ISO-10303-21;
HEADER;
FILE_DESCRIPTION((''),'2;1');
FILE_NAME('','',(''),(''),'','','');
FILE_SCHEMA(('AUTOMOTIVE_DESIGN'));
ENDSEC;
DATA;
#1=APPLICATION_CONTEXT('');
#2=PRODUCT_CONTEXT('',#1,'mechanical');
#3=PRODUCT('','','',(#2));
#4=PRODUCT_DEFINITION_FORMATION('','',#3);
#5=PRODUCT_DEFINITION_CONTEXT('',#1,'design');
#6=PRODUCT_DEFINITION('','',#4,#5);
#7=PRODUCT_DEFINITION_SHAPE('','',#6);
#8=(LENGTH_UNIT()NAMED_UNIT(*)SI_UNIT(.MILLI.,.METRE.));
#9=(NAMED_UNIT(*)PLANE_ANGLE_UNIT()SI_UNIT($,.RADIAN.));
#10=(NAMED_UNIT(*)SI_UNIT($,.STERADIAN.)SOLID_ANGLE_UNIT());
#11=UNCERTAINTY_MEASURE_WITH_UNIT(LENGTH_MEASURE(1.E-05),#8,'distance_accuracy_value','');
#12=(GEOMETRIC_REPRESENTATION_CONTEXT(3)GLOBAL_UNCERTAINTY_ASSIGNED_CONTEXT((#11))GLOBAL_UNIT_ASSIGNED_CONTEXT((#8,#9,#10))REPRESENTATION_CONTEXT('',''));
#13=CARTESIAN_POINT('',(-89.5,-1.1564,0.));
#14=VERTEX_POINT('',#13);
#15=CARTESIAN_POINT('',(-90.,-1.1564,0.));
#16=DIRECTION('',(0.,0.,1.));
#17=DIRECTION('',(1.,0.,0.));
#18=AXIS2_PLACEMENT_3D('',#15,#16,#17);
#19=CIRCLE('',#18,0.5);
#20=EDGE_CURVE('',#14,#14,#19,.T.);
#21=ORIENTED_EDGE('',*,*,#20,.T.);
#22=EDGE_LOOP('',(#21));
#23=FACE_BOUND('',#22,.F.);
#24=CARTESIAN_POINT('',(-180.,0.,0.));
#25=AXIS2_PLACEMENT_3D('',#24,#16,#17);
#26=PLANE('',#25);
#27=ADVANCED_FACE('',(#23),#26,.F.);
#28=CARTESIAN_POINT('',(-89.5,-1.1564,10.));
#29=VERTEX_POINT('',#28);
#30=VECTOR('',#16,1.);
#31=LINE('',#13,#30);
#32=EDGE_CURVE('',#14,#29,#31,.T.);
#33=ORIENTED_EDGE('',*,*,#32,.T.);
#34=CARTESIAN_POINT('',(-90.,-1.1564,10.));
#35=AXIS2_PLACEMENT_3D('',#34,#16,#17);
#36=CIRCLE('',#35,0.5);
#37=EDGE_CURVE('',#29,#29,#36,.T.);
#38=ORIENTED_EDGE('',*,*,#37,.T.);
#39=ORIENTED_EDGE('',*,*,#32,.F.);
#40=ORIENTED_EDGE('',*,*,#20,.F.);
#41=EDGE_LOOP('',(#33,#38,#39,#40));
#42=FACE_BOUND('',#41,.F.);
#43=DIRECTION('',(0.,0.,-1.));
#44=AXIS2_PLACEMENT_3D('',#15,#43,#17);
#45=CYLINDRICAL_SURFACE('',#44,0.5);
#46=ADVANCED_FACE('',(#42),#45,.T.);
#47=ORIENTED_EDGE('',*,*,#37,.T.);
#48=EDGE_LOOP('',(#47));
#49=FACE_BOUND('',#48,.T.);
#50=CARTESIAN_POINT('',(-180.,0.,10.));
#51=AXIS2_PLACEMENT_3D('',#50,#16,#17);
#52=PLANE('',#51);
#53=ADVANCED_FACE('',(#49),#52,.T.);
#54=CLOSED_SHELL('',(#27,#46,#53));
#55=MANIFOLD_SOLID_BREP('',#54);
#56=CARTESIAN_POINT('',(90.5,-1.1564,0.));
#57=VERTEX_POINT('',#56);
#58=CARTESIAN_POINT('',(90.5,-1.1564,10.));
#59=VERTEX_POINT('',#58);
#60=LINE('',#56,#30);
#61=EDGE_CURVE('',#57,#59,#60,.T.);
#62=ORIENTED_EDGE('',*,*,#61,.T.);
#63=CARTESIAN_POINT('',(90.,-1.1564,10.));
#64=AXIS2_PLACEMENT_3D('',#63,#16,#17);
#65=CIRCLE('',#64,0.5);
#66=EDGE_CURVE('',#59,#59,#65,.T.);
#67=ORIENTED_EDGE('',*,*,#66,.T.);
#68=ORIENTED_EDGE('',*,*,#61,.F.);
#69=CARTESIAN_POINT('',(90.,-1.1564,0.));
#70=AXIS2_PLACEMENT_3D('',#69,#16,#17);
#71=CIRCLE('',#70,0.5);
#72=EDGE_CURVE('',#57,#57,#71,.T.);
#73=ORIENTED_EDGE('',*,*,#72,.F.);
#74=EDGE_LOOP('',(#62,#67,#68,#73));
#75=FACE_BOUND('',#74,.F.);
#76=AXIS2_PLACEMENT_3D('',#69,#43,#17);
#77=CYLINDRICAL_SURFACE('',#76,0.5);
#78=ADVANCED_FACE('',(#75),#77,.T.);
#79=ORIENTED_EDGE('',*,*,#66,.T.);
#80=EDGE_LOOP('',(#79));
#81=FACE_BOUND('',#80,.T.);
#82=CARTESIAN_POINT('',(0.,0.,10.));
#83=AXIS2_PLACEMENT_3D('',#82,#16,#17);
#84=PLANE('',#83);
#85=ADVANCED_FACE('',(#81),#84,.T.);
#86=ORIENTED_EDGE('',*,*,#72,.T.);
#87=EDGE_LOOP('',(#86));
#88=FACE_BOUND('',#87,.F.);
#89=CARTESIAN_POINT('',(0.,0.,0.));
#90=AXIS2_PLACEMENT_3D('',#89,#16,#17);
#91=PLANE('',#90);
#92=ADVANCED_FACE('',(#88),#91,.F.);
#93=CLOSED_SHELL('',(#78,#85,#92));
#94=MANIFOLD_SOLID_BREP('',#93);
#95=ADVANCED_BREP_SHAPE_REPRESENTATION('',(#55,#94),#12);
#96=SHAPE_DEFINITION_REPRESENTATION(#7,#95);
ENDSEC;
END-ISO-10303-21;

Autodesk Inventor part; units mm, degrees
ref_plane "YZ Plane" through (0, 0, 0) normal (1, 0, 0) x (0, 1, 0)
ref_plane "XZ Plane" through (0, 0, 0) normal (0, 1, 0) x (-1, 0, 0)
ref_plane "XY Plane" through (0, 0, 0) normal (0, 0, 1) x (1, 0, 0)
sketch "Sketch1" plane through (0, 0, 0) normal (0, 0, 1) x (1, 0, 0)
  line L0 (-150, -13.2005) -> (150, -13.2005)
  line L1 (150, -13.2005) -> (150, 13.2005)
  line L2 (150, 13.2005) -> (-150, 13.2005)
  line L3 (-150, 13.2005) -> (-150, -13.2005)
  line L4 (-150, -13.2005) -> (150, 13.2005) construction
  line L5 (150, -13.2005) -> (-150, 13.2005) construction
  point P0 (0, 0)
  dimension "d0" = 300
  dimension "d1" = 26.401
sketch "Lamello" plane through (0, 0, 0) normal (0, 0, 1) x (1, 0, 0)
  line L0 (48.383, 141.1858) -> (42.783, 141.1858)
  line L1 (40.583, 139.6858) -> (40.583, 114.6858)
  line L2 (42.783, 113.1858) -> (48.383, 113.1858)
  line L3 (50.583, 114.6858) -> (50.583, 139.6858)
  line L4 (50.583, 139.6858) -> (48.383, 141.1858)
  line L5 (40.583, 139.6858) -> (42.783, 141.1858)
  line L6 (40.583, 114.6858) -> (42.783, 113.1858)
  line L7 (50.583, 114.6858) -> (48.383, 113.1858)
  line L8 (50.583, 127.1858) -> (40.583, 127.1858)
  line L9 (45.583, 141.1858) -> (45.583, 113.1858)
  point P0 (45.583, 127.1858)
  point P1 (50.583, 141.1858)
  point P2 (40.583, 113.1858)
  point P3 (40.583, 141.1858)
  point P4 (50.583, 113.1858)
  dimension "d54" = 10
  dimension "d55" = 28
  dimension "d56" = 1.5
  dimension "d57" = 2.2
  dimension "d58" = 1.5
  dimension "d59" = 2.2
  dimension "d60" = 1.5
  dimension "d61" = 2.2
  dimension "d62" = 1.5
  dimension "d63" = 2.2
sketch "Sketch2" plane through (0, 0, 0) normal (0, 0, 1) x (1, 0, 0)
  circle A0 centre (90, -1.1564) radius 0.5
  line L0 (150, 13.2005) -> (-150, 13.2005) projected
  line L1 (-150, -13.2005) -> (150, -13.2005) projected
  line L2 (0, -128.9291) -> (0, 79.8215) projected
  line L3 (150, -13.2005) -> (150, 13.2005) projected
  point P0 (0, 0)
  dimension "d4" = 1
  dimension "d50" = 14.3569
  dimension "d70" = 60
extrude "Extrusion1" add sketch "Sketch2" along normal blind 10 contours A0
pattern_linear "Clamex Array" count 2 spacing 180 along (-1, 0, 0) of "Extrusion1"
sketch "Edge-Side Connection" plane through (0, 0, 0) normal (1, 0, 0) x (0, 1, 0)
  line L0 (-50, 0) -> (50, 0)
  line L1 (50, 0) -> (50, 37)
  line L2 (50, 37) -> (-50, 37)
  line L3 (-50, 37) -> (-50, 0)
  line L4 (-13.2005, 0) -> (-6.1474, -40)
  line L5 (-6.1474, -40) -> (20.2536, -40)
  line L6 (20.2536, -40) -> (13.2005, 0)
  line L7 (1.1564, -14) -> (1.1564, 14) construction
  line L8 (13.2005, 0) -> (6.1564, 0)
  line L9 (-3.8436, -12.5) -> (-10.7807, -13.7232)
  point P0 (0, 0)
  point P1 (13.2005, 0)
  point P2 (0, 0)
  dimension "d26" = 100
  dimension "d27" = 37
  dimension "d28" = 40
  dimension "OtherSideRefYCoordinate" = 14.3569
  dimension "ReferenceCoord" = 12.0441
  dimension "d49" = 80
sketch "Edge-Edge Connection" plane through (0, 0, 0) normal (1, 0, 0) x (0, 1, 0)
  line L0 (-99.1076, 37) -> (20.8924, 37)
  line L1 (20.8924, 37) -> (0, 0)
  line L2 (0, 0) -> (-99.1076, 0)
  line L3 (-99.1076, 0) -> (-99.1076, 37)
  line L4 (20.8924, 37) -> (41.7302, -81.1769)
  line L5 (0, 0) -> (15.1404, -85.8654)
  line L6 (15.1404, -85.8654) -> (41.7302, -81.1769)
  line L7 (5.8206, 10.3082) -> (0, 0)
  line L8 (-0.1471, 25.162) -> (-0.1471, 37)
  point P0 (8.2791, 14.662)
  dimension "d51" = 37
  dimension "d53" = 27
  dimension "EdgeEdgeReferenceCoord" = 16.838
  dimension "d65" = 100
  dimension "d66" = 120
  dimension "d67" = 120
  dimension "EdgeEdgeOtherSideRefYCoordinate" = 25.6531
equation "\"d9\" = Step"
equation "\"d27\" = NestleBoardT"
equation "\"d0\" = ContactPatchWidth"
equation "\"d1\" = ContactPatchHeight"
equation "\"ContactPatchWidth\" = 300"
equation "\"ContactPatchHeight\" = 26.401"
equation "\"MinDistBetween\" = 96"
equation "\"Step\" = 180"
equation "\"Y_Coord\" = 14.35688"
equation "\"NestleBoardT\" = 37"
equation "\"PillarBoardT\" = 27"
equation "\"AngleForYPositionCalc\" = 80deg"
equation "\"ConnectionAngle\" = 100deg"
equation "\"ShiftY\" = 0"
properties part number "Clamex Joint1500"
